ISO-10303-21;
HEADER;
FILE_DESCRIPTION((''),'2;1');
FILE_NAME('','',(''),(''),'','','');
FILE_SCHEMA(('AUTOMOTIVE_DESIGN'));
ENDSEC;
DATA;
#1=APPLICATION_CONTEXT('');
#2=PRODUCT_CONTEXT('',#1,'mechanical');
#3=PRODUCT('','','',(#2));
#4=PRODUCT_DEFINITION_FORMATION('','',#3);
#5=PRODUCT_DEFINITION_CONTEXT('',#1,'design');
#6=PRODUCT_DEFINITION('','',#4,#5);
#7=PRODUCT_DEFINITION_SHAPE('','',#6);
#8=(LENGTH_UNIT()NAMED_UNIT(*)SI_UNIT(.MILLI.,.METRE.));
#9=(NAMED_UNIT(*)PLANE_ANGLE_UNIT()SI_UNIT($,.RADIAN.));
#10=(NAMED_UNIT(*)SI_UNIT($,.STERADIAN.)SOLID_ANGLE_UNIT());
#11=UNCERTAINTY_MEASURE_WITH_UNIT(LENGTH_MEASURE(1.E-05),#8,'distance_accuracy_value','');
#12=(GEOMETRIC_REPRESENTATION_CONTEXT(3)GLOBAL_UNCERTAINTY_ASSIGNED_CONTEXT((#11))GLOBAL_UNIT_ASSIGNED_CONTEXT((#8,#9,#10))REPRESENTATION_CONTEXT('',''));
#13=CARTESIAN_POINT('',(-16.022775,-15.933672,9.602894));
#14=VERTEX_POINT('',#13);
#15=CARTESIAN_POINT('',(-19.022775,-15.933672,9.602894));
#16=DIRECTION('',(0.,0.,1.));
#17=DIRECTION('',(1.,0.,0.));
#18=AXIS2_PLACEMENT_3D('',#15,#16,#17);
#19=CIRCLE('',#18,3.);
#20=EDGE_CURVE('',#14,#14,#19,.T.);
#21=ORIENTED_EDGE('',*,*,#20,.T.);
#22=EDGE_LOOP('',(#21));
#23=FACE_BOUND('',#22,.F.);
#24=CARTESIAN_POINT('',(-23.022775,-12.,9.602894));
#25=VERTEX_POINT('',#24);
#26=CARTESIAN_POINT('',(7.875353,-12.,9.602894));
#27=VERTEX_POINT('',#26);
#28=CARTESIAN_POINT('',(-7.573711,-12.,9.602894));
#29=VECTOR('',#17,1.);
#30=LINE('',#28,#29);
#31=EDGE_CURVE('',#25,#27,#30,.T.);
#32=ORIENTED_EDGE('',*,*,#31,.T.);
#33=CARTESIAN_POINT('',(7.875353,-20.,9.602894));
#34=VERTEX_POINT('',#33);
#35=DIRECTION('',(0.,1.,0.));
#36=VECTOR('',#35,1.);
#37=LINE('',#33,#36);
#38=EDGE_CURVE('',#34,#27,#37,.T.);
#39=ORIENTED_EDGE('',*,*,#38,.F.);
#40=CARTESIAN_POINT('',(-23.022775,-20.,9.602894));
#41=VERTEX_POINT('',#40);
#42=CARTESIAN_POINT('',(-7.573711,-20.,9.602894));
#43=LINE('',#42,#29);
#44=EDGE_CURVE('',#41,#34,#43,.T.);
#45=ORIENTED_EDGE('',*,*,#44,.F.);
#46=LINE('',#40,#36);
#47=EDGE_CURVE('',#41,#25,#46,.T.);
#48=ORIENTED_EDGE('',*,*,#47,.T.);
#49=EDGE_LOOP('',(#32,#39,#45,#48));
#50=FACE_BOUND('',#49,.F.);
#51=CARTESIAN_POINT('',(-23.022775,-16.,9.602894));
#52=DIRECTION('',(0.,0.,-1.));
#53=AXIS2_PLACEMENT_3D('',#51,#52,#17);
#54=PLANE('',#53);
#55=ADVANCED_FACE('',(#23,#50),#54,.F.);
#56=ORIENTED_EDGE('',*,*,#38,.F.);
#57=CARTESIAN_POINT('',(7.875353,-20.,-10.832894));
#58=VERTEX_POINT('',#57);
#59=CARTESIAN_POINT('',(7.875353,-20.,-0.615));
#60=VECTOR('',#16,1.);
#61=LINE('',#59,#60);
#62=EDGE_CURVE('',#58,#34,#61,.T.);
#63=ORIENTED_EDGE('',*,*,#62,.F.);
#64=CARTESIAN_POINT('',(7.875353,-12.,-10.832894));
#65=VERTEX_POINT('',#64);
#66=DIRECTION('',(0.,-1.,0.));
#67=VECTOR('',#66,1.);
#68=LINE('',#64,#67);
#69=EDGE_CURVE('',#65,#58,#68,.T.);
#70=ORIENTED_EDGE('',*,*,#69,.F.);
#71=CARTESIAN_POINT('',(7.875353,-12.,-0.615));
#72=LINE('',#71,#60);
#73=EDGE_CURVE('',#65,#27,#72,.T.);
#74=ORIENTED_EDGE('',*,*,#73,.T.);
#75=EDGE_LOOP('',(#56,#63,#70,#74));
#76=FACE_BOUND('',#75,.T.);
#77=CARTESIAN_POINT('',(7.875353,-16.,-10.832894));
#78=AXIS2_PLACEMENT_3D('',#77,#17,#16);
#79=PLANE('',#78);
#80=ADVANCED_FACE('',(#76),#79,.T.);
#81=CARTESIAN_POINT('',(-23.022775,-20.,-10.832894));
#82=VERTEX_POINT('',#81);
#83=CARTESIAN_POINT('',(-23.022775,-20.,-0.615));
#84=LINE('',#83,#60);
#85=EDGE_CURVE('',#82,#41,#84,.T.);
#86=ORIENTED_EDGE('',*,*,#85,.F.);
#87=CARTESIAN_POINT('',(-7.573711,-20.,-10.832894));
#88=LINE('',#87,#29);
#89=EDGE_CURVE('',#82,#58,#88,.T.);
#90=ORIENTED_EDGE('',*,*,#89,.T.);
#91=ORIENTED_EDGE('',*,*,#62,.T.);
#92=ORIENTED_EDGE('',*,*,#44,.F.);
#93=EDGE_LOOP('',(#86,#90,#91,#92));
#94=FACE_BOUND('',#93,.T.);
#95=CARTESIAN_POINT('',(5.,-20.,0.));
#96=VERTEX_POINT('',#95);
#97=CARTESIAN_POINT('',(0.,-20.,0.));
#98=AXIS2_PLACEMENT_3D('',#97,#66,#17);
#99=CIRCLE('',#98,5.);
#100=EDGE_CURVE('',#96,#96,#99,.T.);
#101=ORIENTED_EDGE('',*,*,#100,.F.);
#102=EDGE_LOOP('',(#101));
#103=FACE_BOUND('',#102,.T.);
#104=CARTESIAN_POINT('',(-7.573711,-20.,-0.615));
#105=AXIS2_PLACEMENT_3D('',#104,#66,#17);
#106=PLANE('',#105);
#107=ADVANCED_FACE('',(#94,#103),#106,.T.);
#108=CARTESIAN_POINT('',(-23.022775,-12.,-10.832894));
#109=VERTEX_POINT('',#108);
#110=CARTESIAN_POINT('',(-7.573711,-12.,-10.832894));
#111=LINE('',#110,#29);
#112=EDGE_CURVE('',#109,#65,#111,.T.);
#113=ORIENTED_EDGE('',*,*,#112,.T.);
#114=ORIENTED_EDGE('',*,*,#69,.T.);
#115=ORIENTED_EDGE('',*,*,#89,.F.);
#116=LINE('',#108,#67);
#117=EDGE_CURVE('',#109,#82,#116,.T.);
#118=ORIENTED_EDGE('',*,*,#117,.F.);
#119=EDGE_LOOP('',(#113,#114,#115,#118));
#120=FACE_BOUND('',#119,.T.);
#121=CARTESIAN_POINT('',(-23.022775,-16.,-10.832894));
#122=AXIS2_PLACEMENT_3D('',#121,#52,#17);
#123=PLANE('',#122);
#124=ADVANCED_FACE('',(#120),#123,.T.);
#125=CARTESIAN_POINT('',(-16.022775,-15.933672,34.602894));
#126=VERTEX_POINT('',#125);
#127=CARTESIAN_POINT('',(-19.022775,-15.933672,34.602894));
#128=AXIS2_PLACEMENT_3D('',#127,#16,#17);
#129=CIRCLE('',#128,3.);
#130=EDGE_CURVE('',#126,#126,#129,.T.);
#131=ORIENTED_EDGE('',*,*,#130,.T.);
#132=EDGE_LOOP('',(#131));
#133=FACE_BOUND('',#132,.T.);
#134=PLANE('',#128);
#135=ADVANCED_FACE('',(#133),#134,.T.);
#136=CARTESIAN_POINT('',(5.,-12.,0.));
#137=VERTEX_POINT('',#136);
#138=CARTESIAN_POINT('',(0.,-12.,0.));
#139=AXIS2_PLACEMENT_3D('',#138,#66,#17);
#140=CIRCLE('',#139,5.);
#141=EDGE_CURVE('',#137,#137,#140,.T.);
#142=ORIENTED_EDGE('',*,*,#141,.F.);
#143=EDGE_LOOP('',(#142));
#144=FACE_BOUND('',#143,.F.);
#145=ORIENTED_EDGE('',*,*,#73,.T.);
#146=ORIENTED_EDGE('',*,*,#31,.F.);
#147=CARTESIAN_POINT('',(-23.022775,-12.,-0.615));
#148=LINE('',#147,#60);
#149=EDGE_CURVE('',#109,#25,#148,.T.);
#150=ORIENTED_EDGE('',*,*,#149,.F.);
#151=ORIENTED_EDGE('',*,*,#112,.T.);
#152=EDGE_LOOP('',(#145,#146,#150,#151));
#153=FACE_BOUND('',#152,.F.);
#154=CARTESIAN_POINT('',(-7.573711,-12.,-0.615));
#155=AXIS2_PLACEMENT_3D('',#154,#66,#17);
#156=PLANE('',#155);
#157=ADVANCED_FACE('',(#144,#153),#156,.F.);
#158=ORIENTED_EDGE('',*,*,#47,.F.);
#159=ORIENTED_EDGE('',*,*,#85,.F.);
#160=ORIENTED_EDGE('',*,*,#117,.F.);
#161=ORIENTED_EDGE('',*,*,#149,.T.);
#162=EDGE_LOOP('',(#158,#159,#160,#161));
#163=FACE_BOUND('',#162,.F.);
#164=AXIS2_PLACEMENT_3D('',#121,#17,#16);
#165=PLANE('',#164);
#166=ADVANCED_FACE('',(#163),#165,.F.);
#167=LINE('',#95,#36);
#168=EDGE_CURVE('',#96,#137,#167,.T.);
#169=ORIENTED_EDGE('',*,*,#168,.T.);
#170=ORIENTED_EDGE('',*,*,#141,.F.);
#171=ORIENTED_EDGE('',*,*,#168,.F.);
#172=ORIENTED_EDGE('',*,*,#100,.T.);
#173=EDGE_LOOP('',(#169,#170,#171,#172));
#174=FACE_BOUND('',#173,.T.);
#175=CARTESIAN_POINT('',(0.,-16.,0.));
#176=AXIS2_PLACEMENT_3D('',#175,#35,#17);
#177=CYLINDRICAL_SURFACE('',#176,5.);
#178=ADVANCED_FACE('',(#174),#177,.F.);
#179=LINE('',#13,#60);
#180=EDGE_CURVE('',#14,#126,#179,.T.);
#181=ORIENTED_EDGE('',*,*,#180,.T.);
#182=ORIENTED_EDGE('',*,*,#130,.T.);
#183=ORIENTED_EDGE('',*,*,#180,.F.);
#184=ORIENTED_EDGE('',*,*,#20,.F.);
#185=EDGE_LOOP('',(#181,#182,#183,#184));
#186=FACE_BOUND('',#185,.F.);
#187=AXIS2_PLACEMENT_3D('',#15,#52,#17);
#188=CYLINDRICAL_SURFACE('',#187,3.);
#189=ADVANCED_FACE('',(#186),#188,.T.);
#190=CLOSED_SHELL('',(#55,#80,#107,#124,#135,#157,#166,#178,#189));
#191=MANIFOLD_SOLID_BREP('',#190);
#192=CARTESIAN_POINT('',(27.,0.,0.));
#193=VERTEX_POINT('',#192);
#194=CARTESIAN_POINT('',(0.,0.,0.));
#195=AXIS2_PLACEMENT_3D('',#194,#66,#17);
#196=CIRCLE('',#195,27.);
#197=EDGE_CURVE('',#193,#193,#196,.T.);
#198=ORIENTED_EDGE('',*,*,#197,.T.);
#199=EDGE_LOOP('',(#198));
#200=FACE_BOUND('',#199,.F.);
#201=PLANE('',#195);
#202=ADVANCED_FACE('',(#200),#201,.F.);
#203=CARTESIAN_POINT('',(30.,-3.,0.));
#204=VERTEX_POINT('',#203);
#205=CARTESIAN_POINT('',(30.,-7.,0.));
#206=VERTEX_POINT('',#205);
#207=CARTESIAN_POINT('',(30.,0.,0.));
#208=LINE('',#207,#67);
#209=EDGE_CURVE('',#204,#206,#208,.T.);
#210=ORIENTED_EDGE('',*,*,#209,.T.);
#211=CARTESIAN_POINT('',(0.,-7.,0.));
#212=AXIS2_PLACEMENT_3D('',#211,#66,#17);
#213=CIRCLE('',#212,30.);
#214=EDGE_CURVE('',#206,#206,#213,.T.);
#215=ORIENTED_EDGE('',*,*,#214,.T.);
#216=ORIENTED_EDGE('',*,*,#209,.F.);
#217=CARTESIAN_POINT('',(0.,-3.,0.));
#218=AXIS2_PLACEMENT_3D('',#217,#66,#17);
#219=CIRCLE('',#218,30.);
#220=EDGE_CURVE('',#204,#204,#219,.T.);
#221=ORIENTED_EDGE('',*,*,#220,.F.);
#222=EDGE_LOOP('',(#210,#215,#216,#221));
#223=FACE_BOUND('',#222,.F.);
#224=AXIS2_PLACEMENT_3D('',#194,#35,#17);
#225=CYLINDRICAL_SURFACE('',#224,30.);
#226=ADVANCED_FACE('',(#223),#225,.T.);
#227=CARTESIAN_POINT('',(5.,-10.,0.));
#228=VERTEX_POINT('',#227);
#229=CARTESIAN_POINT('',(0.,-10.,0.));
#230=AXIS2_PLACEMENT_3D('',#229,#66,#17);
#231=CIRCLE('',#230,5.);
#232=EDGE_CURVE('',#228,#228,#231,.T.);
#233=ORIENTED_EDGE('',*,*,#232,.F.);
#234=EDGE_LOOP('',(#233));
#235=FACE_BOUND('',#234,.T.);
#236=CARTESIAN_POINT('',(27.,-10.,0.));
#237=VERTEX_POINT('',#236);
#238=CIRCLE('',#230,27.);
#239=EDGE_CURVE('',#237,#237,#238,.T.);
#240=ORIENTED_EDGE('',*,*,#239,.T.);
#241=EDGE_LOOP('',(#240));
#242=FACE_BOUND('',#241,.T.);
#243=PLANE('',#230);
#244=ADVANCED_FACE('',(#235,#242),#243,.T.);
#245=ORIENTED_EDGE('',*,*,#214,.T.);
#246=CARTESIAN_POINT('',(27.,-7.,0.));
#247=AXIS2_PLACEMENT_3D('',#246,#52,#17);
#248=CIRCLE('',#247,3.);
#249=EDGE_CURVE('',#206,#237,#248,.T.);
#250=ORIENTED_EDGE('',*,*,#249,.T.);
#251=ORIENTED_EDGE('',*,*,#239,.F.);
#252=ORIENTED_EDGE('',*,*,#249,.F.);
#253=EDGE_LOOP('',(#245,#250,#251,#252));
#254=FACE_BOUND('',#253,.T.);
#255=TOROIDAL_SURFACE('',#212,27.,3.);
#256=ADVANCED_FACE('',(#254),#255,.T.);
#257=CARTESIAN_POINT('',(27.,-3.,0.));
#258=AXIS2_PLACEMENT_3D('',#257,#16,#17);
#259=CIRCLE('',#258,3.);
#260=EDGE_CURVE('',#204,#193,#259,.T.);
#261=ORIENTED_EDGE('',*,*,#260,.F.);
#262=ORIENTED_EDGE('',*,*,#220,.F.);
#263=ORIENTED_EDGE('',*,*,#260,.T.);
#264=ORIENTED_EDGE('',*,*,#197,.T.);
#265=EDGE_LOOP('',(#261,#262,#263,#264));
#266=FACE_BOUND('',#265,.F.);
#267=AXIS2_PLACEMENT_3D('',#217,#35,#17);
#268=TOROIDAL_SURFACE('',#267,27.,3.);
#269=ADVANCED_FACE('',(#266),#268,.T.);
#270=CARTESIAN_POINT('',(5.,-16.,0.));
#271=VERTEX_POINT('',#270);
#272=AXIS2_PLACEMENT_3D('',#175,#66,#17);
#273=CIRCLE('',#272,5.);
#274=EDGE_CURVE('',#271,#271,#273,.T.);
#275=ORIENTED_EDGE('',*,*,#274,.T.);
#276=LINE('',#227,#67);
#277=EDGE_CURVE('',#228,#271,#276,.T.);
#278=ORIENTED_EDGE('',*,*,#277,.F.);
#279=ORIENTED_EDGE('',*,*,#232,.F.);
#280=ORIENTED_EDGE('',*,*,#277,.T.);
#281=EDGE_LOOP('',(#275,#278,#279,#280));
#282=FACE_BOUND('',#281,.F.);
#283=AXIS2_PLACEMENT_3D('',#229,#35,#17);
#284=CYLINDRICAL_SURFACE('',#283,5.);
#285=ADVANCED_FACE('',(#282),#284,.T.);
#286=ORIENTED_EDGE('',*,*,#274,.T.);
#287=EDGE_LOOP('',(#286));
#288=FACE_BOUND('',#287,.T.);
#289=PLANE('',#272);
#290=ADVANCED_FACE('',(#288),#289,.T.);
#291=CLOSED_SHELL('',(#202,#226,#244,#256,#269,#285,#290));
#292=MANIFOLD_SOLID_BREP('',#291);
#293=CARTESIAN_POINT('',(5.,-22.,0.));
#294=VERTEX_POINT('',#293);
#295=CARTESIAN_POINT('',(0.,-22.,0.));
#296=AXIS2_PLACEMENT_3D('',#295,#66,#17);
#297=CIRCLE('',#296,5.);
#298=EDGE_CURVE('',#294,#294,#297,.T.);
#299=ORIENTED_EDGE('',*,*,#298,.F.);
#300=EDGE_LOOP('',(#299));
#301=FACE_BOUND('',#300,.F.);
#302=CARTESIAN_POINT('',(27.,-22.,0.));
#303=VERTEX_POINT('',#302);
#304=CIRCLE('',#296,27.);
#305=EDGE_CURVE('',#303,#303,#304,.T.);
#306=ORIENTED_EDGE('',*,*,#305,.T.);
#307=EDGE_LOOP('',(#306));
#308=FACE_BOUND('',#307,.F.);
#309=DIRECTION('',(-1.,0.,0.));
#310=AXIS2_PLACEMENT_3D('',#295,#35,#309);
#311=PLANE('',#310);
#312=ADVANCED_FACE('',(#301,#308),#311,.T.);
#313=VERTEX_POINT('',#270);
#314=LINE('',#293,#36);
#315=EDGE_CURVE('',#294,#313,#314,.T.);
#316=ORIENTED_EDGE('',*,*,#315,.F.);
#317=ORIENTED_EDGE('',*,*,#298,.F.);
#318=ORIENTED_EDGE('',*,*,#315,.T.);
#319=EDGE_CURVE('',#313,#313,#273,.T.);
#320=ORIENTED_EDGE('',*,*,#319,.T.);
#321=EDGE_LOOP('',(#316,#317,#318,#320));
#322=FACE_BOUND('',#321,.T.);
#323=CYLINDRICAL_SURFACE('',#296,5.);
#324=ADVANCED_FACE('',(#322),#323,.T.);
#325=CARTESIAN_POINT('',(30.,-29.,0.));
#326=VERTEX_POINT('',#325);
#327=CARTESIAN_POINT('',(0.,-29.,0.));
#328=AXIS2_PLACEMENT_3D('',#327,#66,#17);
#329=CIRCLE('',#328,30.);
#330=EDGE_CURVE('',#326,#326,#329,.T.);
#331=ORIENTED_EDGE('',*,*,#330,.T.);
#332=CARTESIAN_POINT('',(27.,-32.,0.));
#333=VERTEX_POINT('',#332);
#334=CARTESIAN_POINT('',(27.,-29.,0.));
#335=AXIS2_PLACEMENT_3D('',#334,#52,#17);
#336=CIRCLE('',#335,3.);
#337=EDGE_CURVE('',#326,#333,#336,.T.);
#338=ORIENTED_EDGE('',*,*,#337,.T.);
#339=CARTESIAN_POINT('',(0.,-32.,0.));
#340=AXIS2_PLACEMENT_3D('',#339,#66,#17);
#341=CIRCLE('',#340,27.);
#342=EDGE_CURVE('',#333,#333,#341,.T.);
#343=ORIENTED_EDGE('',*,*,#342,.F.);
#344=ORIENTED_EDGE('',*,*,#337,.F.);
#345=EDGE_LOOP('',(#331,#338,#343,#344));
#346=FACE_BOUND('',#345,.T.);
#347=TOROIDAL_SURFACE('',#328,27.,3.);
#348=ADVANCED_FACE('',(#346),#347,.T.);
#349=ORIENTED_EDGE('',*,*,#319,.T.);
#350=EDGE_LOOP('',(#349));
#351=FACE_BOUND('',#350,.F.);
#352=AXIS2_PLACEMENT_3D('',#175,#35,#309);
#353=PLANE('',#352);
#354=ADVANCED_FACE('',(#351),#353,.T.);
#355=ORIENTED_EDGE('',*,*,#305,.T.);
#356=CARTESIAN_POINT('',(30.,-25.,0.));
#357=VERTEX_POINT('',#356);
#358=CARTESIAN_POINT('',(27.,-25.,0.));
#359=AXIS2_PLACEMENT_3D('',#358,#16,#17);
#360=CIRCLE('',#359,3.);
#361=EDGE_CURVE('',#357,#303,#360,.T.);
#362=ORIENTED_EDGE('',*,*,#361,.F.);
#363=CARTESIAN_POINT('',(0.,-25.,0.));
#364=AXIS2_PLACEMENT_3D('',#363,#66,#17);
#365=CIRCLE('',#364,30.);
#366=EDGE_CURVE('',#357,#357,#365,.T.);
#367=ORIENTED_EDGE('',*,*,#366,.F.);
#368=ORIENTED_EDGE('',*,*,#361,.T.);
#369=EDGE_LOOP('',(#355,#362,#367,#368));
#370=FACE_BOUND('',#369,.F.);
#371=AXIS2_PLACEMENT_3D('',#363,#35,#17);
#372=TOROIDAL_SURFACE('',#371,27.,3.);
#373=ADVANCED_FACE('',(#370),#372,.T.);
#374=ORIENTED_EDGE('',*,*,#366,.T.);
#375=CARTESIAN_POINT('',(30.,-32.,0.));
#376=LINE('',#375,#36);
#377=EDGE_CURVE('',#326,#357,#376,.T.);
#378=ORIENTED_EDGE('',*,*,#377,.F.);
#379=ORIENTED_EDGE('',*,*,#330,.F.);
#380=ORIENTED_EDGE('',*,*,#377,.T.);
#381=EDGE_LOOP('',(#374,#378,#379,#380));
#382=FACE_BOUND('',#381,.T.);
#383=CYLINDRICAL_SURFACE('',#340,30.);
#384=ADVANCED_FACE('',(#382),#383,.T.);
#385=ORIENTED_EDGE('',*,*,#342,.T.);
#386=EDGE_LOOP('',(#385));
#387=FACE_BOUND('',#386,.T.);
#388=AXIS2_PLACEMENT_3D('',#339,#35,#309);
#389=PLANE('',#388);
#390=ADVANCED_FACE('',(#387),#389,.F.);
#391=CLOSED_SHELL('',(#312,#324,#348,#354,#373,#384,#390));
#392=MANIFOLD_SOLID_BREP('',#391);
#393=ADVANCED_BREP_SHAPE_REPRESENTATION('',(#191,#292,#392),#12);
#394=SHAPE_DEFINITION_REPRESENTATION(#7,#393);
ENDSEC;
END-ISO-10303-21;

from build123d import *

# Parameters (mm, degrees)
F0_R     = 30
F1_DEPTH = 10
F2_R     = 3
F3_R     = 5
F4_DEPTH = 6
F6_W     = 30.898128
F6_H     = 20.435788
F6_R     = 5
F7_DEPTH = 4
F8_R     = 3
F9_DEPTH = 25


with BuildPart() as f1:
    # F0 (on Front) → F1 (new body)
    with BuildSketch(Plane.XZ):
        Circle(F0_R)
    extrude(amount=F1_DEPTH)

    # F2
    f2_edges = [f1.edges().sort_by_distance(p)[0] for p in [
        (-30, -10, 0),
        (-30, 0, 0),
    ]]
    fillet(f2_edges, radius=F2_R)

    # F3 (on face) → F4 (join)
    with BuildSketch(Plane.XZ.offset(10)):
        Circle(F3_R)
    extrude(amount=F4_DEPTH)


with BuildPart() as f5_1:
    # F5: instance of F1
    add(f1.part.mirror(Plane.XZ.offset(16)))


with BuildPart() as f7:
    # F6 (on face) → F7 (new body, symmetric)
    with BuildSketch(Plane.XZ.offset(16)):
        with Locations((-7.573711, -0.615)):
            Rectangle(F6_W, F6_H)
        Circle(F6_R, mode=Mode.SUBTRACT)
    extrude(amount=F7_DEPTH, both=True)

    # F8 (on face) → F9 (join)
    with BuildSketch(Plane.XY.offset(9.602894)):
        with Locations((-19.022775, -15.933672)):
            Circle(F8_R)
    extrude(amount=F9_DEPTH)


solid = Compound([f1.part, f5_1.part, f7.part])
